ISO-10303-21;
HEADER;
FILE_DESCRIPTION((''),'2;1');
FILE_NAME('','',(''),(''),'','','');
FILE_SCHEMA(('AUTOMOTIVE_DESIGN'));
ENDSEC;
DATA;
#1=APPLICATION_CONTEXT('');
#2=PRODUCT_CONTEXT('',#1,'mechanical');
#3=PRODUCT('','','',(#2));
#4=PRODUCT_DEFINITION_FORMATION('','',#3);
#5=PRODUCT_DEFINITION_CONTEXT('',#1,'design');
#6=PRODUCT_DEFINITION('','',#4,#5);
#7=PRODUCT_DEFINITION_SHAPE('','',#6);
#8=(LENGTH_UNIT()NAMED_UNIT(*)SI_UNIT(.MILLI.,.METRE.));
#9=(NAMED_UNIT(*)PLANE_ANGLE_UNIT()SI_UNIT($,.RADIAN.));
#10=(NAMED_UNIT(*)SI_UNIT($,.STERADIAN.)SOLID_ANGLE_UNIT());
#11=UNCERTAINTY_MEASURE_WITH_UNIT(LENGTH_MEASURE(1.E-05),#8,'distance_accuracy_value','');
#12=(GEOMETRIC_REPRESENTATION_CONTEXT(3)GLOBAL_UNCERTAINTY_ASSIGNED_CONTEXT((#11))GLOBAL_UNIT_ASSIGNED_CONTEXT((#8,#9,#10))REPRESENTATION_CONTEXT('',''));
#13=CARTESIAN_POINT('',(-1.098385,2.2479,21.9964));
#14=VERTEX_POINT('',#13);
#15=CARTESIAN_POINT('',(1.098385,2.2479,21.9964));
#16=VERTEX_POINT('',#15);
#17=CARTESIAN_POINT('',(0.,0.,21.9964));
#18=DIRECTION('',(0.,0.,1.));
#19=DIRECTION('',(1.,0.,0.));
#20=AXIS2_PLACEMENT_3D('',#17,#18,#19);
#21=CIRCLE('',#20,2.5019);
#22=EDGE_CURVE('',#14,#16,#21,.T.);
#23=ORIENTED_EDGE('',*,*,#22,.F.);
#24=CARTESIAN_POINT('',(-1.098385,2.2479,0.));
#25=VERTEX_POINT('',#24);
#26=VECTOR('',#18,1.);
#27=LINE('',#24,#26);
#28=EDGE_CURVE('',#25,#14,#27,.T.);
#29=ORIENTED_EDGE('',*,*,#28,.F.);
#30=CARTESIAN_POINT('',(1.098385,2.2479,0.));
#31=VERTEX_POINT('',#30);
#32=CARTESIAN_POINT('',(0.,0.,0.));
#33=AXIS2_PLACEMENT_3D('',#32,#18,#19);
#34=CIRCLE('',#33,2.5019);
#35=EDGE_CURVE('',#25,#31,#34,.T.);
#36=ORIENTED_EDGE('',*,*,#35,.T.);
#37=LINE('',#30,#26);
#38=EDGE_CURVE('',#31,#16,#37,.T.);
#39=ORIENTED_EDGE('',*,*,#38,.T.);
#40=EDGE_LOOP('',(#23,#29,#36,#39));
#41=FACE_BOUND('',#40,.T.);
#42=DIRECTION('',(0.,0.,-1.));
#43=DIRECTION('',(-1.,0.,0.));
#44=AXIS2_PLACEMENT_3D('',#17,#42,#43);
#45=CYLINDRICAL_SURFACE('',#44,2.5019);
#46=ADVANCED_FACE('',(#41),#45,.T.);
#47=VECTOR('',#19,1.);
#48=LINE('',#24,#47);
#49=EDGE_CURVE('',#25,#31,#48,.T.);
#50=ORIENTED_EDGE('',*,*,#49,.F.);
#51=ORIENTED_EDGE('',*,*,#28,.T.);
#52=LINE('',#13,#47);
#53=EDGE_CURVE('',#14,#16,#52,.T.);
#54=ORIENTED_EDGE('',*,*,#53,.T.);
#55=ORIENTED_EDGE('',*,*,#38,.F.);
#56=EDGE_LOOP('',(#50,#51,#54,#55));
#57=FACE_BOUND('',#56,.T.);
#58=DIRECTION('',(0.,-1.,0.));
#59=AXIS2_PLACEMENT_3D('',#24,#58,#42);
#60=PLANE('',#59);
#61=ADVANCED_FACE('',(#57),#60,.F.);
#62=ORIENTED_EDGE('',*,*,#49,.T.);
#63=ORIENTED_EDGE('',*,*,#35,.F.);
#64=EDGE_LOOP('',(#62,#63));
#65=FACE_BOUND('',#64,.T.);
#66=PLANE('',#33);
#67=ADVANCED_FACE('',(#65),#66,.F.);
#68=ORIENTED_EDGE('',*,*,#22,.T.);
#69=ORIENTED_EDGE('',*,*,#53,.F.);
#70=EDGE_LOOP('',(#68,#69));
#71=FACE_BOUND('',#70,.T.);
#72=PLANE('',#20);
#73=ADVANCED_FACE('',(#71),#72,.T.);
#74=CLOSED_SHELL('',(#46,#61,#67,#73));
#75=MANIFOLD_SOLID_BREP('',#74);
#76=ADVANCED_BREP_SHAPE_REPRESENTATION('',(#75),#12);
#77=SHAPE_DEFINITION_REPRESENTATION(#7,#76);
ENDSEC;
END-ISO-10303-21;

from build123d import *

# Parameters (mm, degrees)
SKETCH1_R           = 2.5019
BOSS_EXTRUDE1_DEPTH = 21.9964
CUT_EXTRUDE5_START  = -21.9964
CUT_EXTRUDE5_DEPTH  = 21.9964


with BuildPart() as part:
    # Sketch1 → Boss-Extrude1 (new body)
    with BuildSketch(Plane.XY):
        Circle(SKETCH1_R)
    extrude(amount=BOSS_EXTRUDE1_DEPTH)

    # Sketch3 → Cut-Extrude5 (cut)
    with BuildSketch(Plane.XY.offset(21.9964).offset(CUT_EXTRUDE5_START)):
        with BuildLine():
            Line((-1.098384814, 2.2479), (1.098384814, 2.2479))
            ThreePointArc((1.098384814, 2.2479), (0, 2.5019), (-1.098384814, 2.2479))
        make_face()
    extrude(amount=CUT_EXTRUDE5_DEPTH, mode=Mode.SUBTRACT)


solid = part.part
